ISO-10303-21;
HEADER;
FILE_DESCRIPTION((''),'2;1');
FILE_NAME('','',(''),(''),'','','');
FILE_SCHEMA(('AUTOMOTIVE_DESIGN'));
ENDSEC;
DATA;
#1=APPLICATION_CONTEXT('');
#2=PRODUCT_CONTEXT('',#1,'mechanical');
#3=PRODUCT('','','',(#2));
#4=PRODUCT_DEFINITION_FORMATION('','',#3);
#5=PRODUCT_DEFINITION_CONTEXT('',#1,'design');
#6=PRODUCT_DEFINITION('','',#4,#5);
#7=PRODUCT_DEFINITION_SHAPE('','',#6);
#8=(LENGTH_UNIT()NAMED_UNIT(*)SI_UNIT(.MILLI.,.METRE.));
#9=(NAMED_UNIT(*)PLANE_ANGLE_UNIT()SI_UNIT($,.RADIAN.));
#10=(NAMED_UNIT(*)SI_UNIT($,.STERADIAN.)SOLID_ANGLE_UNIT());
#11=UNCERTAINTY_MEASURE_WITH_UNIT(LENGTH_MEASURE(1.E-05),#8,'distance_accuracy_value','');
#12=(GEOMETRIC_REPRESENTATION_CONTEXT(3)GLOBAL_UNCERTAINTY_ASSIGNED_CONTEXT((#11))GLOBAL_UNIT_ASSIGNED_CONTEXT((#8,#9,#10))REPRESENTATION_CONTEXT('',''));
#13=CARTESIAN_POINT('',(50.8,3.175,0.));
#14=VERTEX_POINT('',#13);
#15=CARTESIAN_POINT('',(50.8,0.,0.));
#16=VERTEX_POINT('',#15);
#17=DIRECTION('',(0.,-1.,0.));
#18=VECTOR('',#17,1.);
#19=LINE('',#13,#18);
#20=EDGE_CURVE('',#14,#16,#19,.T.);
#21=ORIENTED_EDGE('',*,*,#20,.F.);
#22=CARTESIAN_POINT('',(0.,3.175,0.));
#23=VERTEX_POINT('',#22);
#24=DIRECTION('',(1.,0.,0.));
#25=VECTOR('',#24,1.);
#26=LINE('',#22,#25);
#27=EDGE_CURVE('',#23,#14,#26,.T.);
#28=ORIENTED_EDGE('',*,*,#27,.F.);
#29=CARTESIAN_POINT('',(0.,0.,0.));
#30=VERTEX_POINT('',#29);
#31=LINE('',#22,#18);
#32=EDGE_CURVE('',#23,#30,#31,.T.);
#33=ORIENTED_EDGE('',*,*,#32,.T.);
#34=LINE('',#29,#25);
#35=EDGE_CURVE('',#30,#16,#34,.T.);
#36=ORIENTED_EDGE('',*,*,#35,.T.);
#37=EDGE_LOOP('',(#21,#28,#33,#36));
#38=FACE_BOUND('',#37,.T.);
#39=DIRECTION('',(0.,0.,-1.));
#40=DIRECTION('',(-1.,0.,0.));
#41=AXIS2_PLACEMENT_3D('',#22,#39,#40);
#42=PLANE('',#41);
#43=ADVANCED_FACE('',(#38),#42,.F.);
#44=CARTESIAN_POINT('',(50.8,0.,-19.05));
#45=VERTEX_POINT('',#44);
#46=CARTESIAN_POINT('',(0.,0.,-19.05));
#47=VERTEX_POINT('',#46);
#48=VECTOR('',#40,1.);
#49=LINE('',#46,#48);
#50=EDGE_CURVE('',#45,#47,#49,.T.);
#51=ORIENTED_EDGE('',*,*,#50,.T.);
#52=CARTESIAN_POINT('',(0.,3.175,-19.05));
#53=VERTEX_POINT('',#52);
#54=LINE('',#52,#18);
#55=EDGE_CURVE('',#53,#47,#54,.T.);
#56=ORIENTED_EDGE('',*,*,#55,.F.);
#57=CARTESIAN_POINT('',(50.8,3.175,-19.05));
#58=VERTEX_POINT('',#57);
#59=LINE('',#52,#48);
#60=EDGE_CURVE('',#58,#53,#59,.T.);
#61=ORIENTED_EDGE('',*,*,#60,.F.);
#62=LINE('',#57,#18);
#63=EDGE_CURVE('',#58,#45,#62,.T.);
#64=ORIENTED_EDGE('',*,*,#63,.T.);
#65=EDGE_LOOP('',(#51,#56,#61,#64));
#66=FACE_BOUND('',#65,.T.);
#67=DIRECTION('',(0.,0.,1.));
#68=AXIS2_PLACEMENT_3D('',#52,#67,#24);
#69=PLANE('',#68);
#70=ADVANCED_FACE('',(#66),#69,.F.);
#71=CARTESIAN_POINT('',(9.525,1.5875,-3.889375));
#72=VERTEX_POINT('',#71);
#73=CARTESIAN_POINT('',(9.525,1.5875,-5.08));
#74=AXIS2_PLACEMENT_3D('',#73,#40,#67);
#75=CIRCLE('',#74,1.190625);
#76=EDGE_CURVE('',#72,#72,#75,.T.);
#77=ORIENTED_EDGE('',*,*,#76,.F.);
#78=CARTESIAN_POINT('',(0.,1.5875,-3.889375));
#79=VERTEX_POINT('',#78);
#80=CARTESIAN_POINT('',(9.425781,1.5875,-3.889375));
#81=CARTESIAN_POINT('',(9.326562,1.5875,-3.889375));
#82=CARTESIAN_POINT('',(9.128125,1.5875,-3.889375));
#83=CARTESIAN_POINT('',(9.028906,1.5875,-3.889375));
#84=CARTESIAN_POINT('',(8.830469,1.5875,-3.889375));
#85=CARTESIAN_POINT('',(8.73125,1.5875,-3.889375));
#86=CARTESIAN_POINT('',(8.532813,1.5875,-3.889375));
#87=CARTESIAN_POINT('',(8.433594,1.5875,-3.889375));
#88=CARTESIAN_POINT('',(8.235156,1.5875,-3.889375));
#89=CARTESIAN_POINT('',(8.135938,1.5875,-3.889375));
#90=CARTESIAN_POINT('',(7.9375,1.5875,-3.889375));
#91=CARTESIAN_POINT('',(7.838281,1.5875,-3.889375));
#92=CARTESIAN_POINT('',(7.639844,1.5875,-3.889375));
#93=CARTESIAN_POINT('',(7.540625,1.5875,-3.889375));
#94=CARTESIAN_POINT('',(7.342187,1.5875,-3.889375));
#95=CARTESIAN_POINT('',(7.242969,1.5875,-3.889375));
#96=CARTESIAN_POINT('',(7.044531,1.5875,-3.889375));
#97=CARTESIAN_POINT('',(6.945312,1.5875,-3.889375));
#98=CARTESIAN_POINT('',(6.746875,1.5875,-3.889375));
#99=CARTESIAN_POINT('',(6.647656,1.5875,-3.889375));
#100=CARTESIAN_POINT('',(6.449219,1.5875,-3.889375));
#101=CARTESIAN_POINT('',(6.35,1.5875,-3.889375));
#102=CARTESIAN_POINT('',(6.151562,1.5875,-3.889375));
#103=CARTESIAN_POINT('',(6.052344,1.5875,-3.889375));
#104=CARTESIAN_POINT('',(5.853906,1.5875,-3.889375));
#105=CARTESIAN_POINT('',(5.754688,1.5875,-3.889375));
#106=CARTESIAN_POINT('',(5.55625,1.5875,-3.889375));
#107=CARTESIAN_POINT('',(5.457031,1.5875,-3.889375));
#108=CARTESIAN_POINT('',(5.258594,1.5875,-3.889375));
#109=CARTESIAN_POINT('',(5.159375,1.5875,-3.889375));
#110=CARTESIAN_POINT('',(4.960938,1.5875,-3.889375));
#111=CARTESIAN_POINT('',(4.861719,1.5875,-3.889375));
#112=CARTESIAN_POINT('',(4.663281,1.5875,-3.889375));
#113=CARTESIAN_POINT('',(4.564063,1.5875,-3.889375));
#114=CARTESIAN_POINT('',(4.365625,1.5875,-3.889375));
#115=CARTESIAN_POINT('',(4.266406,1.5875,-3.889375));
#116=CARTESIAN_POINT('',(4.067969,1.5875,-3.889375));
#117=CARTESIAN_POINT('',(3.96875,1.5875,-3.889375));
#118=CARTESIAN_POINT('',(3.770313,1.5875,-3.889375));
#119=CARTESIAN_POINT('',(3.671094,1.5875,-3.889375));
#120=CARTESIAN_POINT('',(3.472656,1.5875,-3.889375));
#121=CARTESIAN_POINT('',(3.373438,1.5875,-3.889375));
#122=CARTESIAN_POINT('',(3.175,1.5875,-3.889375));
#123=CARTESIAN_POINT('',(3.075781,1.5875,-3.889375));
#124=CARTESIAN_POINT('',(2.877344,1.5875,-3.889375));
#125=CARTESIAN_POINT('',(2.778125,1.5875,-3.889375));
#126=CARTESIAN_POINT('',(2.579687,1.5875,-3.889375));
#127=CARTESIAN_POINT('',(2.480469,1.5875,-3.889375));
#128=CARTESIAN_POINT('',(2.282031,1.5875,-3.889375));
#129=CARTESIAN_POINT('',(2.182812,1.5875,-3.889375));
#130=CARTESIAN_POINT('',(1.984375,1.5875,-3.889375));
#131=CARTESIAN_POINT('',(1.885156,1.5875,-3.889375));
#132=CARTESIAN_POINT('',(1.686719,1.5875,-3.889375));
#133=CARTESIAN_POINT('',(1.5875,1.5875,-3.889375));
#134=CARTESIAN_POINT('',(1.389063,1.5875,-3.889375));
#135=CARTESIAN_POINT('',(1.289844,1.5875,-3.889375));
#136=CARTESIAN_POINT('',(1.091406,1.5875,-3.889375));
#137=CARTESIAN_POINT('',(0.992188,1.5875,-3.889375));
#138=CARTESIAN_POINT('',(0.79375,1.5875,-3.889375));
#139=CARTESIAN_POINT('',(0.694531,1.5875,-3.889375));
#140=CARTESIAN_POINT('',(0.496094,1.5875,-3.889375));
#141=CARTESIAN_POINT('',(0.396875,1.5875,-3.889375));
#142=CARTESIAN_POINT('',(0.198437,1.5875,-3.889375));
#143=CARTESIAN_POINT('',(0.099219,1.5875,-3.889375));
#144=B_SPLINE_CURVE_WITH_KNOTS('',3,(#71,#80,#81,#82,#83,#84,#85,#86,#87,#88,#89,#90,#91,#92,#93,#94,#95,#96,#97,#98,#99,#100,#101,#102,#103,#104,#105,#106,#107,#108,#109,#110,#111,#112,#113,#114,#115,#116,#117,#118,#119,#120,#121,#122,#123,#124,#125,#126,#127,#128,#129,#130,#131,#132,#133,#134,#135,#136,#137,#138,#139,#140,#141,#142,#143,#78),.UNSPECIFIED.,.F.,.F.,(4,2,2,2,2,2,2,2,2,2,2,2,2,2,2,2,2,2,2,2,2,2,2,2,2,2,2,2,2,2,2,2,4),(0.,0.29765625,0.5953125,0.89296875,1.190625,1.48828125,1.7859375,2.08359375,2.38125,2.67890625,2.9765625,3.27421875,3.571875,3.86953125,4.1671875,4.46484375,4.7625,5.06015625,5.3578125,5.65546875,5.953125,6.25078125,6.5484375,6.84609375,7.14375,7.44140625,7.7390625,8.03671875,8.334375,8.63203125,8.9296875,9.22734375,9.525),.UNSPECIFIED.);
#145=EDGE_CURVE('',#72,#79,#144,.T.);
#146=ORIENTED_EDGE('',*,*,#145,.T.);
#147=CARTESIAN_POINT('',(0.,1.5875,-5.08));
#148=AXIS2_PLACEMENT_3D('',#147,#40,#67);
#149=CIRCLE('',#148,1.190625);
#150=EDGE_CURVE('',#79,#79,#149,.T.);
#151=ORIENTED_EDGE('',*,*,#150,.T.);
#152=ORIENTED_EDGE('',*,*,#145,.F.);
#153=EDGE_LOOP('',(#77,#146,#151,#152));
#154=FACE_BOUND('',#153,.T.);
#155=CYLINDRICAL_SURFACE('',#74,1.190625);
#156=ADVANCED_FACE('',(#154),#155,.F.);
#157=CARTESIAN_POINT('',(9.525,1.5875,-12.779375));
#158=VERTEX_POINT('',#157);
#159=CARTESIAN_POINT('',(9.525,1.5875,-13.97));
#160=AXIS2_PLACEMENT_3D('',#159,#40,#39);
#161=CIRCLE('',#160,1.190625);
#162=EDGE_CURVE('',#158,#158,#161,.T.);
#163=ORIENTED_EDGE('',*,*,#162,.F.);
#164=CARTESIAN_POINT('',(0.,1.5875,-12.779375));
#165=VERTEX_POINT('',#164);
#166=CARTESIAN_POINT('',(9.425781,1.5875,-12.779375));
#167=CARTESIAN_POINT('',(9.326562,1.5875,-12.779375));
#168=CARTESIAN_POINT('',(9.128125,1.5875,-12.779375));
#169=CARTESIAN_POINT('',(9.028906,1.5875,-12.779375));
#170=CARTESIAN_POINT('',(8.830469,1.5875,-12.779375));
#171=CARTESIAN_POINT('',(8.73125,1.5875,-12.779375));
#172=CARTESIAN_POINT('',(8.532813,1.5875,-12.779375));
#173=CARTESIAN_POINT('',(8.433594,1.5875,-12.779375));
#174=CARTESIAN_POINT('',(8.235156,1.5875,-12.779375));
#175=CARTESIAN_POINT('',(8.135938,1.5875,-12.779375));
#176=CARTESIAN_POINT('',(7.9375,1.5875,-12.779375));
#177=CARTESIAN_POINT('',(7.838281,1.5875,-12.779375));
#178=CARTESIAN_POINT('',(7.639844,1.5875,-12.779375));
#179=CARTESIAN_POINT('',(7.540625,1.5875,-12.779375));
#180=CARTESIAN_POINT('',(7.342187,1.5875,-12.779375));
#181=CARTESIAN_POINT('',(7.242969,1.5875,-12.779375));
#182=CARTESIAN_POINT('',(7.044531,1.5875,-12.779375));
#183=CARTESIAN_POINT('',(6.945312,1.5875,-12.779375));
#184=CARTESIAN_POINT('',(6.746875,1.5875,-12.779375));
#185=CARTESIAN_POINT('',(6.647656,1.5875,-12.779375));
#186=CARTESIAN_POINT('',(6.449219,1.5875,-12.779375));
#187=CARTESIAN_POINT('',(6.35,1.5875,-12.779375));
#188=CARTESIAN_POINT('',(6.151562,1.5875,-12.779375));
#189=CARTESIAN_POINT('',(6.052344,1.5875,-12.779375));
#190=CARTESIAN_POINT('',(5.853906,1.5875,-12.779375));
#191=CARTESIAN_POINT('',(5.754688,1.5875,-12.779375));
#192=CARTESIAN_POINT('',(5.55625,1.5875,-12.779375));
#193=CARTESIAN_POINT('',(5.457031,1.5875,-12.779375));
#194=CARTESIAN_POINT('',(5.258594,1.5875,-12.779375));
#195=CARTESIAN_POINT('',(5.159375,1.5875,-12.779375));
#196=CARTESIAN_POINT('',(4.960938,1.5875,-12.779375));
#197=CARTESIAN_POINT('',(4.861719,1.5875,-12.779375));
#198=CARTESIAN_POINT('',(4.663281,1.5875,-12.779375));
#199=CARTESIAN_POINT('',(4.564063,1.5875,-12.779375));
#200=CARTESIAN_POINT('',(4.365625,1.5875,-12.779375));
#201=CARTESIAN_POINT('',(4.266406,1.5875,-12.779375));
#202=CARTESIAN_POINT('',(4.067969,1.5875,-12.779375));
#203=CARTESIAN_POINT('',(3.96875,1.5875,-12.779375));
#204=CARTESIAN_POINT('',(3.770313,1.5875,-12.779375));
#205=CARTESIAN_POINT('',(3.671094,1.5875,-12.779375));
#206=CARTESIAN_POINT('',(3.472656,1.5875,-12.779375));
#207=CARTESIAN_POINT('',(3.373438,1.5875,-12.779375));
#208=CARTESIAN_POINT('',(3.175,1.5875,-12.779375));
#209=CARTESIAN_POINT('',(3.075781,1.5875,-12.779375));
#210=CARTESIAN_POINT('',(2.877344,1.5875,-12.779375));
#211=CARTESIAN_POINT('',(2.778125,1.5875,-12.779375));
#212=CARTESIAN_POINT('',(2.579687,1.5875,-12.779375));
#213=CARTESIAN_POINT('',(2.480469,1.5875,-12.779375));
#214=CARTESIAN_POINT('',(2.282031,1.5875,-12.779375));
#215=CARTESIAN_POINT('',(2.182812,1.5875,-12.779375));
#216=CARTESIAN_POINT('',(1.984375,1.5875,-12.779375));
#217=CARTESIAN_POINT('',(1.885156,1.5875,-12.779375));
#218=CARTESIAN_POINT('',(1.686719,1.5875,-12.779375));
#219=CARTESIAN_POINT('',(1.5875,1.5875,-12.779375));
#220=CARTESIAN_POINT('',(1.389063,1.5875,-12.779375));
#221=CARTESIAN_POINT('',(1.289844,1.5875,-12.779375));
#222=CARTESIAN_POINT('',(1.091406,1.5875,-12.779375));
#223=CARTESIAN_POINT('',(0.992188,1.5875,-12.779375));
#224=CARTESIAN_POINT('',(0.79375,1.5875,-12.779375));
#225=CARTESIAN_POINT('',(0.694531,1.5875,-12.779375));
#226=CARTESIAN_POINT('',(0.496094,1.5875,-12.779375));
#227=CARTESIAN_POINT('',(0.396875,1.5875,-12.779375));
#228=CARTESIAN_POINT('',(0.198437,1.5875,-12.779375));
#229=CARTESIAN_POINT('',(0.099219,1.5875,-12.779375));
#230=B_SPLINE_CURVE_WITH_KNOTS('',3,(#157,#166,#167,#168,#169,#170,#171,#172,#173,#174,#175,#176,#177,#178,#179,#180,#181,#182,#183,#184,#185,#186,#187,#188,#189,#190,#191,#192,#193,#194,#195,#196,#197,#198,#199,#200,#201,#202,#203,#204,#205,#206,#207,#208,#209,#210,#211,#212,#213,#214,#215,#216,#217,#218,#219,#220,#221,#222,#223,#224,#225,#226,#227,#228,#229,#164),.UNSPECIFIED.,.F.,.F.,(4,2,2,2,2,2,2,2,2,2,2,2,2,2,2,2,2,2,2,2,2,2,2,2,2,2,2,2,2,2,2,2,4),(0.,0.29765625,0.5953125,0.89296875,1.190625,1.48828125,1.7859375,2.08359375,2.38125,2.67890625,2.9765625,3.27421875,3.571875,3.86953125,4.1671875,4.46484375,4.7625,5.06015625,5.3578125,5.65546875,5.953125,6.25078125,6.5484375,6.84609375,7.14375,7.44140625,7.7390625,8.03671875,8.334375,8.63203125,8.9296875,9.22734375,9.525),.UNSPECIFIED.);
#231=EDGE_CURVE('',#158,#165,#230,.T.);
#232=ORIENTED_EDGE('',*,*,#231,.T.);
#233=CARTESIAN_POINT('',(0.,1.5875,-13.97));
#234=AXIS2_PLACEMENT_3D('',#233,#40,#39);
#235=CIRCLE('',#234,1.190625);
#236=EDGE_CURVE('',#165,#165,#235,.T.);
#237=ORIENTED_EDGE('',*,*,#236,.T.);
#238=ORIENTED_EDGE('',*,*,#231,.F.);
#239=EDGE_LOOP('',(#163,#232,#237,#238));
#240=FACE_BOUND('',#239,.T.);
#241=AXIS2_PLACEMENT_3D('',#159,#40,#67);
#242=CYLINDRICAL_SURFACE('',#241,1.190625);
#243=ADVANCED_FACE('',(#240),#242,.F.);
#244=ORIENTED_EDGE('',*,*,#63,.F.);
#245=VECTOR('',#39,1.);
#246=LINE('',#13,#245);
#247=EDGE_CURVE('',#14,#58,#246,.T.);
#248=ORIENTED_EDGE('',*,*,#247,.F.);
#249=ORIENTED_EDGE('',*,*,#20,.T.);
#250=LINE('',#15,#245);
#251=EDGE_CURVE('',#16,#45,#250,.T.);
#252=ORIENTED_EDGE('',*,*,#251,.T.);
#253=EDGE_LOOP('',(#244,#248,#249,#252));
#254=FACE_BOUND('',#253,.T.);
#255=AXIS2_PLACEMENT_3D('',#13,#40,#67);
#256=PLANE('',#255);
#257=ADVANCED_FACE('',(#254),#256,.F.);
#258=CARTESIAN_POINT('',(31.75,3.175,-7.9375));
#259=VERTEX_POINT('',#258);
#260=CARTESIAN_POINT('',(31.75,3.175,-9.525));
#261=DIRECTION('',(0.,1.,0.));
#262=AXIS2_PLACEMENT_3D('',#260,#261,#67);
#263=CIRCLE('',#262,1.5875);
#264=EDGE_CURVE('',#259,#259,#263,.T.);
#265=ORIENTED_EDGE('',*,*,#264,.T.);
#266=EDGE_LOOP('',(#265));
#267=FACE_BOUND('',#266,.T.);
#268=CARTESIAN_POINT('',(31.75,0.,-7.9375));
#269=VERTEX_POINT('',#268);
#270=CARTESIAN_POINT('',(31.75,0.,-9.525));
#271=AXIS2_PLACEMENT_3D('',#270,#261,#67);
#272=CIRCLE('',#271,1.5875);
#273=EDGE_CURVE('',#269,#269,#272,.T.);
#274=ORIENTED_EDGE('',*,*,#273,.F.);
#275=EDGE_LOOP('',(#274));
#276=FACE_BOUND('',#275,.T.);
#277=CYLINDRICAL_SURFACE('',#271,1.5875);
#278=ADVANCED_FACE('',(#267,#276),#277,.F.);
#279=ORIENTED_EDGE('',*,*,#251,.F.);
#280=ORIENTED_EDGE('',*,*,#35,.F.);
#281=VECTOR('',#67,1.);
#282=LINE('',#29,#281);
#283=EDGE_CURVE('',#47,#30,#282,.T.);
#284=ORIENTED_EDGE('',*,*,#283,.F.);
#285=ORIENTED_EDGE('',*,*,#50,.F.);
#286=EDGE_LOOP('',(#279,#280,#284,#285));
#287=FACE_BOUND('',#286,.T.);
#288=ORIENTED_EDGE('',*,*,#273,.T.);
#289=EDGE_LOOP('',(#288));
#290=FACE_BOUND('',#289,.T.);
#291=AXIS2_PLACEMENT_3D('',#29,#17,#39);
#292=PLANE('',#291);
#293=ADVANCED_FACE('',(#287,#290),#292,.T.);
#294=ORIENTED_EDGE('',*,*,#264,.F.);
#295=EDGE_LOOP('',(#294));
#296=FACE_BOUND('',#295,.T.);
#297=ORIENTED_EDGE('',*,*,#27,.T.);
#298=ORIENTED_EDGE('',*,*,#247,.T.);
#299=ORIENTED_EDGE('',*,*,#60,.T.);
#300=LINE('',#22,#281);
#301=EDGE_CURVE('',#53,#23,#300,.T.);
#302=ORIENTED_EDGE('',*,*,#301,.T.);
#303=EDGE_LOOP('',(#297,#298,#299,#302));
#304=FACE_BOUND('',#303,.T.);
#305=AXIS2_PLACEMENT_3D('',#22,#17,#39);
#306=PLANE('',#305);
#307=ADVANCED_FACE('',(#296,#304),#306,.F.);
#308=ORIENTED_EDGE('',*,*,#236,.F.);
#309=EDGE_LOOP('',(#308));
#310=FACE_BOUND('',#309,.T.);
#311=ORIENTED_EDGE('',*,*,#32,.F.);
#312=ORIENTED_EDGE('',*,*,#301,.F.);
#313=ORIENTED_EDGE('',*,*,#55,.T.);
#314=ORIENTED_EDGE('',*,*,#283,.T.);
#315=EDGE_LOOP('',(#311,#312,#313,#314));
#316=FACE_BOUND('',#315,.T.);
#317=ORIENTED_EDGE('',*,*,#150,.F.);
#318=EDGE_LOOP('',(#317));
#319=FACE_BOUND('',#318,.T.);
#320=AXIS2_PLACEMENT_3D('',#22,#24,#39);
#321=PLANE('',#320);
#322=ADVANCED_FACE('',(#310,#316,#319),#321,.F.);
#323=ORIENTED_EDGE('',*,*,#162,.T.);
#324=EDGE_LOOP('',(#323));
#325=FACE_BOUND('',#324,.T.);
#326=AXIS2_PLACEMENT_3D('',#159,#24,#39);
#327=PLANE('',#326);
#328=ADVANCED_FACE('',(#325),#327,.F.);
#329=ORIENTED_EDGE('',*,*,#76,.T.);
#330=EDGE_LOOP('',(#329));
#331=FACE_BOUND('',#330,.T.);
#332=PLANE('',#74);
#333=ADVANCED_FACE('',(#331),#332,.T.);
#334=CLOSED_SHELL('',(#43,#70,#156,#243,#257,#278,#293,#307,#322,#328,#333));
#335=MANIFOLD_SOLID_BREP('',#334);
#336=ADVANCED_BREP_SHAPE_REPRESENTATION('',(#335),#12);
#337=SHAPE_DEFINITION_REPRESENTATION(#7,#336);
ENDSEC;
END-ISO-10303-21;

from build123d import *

# Parameters (mm, degrees)
SKETCH1_W           = 50.8
SKETCH1_H           = 19.05
BOSS_EXTRUDE1_DEPTH = 3.175
SKETCH2_R           = 1.190625
CUT_EXTRUDE1_DEPTH  = 9.525
SKETCH3_R           = 1.5875
CUT_EXTRUDE2_DEPTH  = 55.34724579


with BuildPart() as part:
    # Sketch1 → Boss-Extrude1 (new body)
    with BuildSketch(Plane(origin=(0, 0, 0), x_dir=(1, 0, 0), z_dir=(0, 1, 0))):
        with Locations((25.4, 9.525)):
            Rectangle(SKETCH1_W, SKETCH1_H)
    extrude(amount=BOSS_EXTRUDE1_DEPTH)

    # Sketch2 → Cut-Extrude1 (cut)
    with BuildSketch(Plane.ZY):
        with Locations((-5.08, 1.5875)):
            Circle(SKETCH2_R)
        with Locations((-13.97, 1.5875)):
            Circle(SKETCH2_R)
    extrude(amount=-CUT_EXTRUDE1_DEPTH, mode=Mode.SUBTRACT)

    # Sketch3 → Cut-Extrude2 (cut, through all)
    with BuildSketch(Plane(origin=(0, 3.175, 0), x_dir=(1, 0, 0), z_dir=(0, 1, 0))):
        with Locations(Location((31.75, 9.525, 0), (0, 0, 270))):
            Circle(SKETCH3_R)
    extrude(amount=-CUT_EXTRUDE2_DEPTH, mode=Mode.SUBTRACT)


solid = part.part
